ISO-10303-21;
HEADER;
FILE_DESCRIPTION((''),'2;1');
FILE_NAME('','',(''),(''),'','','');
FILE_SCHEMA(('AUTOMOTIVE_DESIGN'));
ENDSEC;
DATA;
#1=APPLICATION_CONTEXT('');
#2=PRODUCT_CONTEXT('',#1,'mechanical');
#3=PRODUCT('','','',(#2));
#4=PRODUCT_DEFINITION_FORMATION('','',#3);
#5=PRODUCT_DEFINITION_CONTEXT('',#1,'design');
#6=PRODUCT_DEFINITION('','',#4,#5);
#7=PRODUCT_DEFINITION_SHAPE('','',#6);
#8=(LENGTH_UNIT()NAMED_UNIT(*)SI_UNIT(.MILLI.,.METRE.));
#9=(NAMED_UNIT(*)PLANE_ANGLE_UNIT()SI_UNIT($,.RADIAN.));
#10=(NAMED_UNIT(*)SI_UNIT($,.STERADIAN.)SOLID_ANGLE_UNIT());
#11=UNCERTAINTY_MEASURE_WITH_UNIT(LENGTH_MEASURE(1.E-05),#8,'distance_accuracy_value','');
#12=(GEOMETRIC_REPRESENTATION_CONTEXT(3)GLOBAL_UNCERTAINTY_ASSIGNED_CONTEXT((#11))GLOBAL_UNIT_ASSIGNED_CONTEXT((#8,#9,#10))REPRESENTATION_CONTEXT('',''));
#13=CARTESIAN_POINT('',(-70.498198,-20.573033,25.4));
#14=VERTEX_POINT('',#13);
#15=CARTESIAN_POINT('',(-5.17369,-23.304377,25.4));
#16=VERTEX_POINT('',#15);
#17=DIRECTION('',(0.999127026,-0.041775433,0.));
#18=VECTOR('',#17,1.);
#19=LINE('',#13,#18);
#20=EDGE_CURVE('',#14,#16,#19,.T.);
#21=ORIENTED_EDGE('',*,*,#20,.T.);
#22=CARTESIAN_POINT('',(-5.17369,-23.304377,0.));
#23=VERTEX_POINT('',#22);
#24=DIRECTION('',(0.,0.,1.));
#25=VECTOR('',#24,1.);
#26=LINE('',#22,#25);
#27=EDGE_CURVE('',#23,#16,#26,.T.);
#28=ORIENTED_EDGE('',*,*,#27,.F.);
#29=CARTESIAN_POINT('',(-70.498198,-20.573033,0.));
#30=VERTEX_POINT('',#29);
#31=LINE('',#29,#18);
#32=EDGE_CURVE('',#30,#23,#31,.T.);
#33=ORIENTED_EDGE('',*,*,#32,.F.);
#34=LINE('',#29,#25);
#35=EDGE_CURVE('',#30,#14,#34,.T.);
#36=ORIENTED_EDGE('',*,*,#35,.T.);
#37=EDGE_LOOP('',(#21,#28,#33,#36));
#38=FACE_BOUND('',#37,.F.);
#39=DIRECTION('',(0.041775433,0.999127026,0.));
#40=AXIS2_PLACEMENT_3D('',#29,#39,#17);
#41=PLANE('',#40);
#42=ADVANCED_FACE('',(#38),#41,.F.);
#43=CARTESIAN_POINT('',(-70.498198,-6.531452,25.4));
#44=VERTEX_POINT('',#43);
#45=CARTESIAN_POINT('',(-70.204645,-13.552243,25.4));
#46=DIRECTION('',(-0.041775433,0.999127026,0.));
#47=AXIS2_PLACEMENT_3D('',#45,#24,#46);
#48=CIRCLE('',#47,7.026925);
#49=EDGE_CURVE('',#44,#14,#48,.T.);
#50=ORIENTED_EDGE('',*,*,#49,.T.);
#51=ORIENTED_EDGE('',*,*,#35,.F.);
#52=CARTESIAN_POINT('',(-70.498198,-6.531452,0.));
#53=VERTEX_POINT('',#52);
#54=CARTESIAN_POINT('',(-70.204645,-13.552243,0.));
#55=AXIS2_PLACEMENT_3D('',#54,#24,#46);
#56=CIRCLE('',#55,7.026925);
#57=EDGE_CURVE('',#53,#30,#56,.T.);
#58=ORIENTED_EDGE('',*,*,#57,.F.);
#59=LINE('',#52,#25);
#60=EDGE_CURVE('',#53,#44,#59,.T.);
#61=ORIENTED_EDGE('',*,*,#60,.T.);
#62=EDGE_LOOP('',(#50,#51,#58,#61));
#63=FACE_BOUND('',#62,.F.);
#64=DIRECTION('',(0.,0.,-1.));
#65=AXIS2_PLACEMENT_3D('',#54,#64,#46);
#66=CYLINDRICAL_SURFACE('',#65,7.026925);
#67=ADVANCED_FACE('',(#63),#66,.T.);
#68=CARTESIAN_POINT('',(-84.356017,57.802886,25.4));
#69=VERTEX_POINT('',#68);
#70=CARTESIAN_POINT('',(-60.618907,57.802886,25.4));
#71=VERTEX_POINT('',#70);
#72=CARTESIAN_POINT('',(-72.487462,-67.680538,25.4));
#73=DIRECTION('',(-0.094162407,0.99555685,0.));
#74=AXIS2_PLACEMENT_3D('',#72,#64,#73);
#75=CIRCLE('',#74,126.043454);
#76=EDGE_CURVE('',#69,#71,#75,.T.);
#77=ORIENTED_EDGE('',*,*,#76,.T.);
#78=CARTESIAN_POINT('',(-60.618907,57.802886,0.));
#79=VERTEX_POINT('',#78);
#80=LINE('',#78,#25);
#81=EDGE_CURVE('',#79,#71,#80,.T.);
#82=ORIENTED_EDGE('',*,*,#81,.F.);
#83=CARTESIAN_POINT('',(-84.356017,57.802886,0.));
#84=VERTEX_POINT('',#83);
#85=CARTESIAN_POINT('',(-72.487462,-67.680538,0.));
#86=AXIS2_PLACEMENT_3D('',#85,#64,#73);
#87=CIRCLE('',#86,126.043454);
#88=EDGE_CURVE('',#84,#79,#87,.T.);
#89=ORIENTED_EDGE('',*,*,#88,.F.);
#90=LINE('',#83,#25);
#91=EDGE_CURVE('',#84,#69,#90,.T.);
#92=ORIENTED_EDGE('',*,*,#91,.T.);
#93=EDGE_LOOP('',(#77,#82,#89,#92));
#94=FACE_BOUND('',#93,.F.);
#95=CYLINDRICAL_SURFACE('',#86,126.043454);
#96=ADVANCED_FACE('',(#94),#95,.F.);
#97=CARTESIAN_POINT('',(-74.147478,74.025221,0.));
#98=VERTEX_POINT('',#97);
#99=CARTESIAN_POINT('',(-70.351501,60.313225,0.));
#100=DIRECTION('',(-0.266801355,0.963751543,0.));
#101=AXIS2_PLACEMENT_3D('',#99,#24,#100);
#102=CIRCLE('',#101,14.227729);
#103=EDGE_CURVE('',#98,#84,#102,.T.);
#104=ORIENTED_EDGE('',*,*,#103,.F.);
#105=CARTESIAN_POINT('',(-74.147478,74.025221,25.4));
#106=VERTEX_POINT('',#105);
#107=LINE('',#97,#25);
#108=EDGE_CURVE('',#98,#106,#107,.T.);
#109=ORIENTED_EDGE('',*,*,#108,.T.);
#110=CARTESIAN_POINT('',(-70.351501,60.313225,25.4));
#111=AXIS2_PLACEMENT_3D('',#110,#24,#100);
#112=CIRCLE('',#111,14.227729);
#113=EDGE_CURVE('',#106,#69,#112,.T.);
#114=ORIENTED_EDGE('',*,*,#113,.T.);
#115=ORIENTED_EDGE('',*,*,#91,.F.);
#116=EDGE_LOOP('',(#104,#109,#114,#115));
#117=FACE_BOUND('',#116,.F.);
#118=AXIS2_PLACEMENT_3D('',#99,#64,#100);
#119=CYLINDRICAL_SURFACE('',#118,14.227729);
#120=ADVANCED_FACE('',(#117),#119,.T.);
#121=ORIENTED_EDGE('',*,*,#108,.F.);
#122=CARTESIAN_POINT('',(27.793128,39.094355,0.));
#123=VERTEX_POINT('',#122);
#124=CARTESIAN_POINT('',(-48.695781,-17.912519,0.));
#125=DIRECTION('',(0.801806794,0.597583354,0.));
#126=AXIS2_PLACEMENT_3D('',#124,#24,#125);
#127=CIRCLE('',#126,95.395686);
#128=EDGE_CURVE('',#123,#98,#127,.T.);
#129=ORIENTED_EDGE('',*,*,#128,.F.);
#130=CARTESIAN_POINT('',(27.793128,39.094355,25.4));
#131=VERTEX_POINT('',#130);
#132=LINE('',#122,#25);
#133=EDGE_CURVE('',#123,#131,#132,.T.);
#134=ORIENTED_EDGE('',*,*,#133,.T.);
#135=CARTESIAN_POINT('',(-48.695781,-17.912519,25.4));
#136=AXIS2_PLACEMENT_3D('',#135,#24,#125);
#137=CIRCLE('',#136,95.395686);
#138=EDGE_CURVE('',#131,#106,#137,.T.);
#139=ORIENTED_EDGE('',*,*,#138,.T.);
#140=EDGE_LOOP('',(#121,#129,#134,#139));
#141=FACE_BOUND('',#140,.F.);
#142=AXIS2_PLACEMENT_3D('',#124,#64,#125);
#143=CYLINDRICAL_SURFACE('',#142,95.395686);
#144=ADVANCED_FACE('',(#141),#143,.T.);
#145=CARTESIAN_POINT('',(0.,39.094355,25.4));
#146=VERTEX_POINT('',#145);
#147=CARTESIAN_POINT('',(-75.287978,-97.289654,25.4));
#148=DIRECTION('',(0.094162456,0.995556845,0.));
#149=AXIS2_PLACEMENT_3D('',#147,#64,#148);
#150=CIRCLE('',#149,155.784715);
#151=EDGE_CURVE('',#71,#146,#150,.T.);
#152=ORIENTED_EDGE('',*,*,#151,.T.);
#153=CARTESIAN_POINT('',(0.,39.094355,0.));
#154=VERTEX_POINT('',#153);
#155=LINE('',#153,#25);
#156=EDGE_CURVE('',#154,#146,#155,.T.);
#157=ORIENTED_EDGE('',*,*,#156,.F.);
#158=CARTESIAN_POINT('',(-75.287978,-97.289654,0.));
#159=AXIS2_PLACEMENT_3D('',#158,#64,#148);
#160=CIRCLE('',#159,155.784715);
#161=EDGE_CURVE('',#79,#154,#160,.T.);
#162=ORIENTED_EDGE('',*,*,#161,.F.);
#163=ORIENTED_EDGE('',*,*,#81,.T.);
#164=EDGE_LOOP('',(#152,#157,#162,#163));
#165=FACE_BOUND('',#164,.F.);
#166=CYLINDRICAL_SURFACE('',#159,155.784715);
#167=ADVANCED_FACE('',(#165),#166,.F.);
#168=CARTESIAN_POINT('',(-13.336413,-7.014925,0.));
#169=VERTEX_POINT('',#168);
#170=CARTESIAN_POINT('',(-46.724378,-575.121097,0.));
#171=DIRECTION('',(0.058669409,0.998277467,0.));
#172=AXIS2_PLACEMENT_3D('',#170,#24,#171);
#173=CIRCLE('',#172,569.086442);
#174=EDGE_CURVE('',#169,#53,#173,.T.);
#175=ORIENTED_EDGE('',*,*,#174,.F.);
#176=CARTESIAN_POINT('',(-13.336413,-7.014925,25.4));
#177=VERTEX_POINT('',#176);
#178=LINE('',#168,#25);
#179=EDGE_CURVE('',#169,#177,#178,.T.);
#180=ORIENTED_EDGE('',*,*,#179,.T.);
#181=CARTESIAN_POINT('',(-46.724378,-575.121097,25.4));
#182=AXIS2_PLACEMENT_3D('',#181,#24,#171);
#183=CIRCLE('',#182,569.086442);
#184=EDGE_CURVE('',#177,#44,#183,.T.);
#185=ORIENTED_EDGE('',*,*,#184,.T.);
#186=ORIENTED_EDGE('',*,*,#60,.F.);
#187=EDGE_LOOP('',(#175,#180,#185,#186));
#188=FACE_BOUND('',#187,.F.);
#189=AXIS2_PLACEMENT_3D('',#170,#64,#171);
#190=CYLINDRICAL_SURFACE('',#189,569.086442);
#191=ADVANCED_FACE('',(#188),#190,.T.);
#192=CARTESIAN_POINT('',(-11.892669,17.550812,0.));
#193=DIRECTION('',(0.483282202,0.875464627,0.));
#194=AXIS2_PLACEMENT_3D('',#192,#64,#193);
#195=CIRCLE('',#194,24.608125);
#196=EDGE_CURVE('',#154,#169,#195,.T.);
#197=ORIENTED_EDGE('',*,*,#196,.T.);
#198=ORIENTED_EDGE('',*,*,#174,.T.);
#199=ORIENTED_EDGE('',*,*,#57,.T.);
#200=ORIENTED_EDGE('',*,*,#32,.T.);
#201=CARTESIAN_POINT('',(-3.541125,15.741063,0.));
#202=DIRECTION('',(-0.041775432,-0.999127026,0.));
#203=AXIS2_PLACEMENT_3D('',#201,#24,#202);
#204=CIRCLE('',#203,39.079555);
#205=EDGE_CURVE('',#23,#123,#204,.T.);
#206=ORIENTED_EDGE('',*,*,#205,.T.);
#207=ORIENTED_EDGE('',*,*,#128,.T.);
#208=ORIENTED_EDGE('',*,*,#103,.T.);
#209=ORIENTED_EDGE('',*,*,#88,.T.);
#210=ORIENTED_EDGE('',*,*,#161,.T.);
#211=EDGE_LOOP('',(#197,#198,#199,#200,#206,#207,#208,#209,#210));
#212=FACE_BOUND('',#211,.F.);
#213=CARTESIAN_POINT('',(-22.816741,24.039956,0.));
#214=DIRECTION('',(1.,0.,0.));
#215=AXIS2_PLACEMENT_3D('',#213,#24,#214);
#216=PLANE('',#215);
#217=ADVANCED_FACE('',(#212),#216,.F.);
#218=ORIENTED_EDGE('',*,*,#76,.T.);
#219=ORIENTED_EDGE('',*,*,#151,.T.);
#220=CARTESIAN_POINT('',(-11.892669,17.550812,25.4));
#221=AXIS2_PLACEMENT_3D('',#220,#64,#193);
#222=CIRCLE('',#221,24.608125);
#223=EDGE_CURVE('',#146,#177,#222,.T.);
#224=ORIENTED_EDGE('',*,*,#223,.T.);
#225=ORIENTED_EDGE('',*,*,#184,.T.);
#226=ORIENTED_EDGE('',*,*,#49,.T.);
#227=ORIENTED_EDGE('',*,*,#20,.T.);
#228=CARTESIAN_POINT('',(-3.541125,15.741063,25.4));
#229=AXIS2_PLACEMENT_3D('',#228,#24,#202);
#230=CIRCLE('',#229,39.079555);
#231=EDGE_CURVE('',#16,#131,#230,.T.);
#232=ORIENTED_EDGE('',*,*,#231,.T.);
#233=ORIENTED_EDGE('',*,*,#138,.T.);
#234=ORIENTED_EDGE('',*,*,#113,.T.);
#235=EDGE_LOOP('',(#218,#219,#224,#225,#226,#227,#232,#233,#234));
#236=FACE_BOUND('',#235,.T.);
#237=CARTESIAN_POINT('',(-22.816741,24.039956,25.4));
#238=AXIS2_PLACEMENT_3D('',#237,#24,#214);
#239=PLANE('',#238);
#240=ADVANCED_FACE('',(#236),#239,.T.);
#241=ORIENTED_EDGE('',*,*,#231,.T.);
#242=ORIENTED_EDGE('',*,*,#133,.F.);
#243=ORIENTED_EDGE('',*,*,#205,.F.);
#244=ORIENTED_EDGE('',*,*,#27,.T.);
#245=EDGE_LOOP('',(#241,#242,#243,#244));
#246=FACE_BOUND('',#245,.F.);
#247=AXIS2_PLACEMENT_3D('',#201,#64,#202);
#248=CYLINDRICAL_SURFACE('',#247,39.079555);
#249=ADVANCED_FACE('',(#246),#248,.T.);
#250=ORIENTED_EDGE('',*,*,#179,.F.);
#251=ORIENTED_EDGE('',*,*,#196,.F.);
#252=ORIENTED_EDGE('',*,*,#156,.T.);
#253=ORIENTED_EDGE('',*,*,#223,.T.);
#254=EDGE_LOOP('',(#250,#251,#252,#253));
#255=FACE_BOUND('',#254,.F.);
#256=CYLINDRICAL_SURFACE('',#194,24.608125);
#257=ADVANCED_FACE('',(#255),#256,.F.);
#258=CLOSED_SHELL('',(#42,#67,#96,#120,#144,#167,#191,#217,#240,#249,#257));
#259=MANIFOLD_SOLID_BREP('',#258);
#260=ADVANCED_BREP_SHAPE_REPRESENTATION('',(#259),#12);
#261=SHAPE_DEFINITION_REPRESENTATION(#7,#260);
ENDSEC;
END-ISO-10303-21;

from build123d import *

# Parameters (mm, degrees)
F1_DEPTH = 25.4


with BuildPart() as f1:
    # F0 (on Top) → F1 (new body)
    with BuildSketch(Plane.XY):
        with BuildLine():
            ThreePointArc((-70.498198, -6.531452), (-77.23157, -13.552243), (-70.498198, -20.573033))
            Line((-70.498198, -20.573033), (-5.17369, -23.304377))
            ThreePointArc((-5.17369, -23.304377), (31.012428, -2.514447), (27.793128, 39.094355))
            ThreePointArc((27.793128, 39.094355), (-17.772641, 72.332128), (-74.147478, 74.025221))
            ThreePointArc((-74.147478, 74.025221), (-82.393321, 67.891011), (-84.356017, 57.802886))
            ThreePointArc((-84.356017, 57.802886), (-72.487462, 58.362916), (-60.618907, 57.802886))
            ThreePointArc((-60.618907, 57.802886), (-29.347038, 51.567014), (0, 39.094355))
            ThreePointArc((0, 39.094355), (11.746524, 10.713533), (-13.336413, -7.014925))
            ThreePointArc((-13.336413, -7.014925), (-41.911231, -6.055009), (-70.498198, -6.531452))
        make_face()
    extrude(amount=F1_DEPTH)


solid = f1.part
